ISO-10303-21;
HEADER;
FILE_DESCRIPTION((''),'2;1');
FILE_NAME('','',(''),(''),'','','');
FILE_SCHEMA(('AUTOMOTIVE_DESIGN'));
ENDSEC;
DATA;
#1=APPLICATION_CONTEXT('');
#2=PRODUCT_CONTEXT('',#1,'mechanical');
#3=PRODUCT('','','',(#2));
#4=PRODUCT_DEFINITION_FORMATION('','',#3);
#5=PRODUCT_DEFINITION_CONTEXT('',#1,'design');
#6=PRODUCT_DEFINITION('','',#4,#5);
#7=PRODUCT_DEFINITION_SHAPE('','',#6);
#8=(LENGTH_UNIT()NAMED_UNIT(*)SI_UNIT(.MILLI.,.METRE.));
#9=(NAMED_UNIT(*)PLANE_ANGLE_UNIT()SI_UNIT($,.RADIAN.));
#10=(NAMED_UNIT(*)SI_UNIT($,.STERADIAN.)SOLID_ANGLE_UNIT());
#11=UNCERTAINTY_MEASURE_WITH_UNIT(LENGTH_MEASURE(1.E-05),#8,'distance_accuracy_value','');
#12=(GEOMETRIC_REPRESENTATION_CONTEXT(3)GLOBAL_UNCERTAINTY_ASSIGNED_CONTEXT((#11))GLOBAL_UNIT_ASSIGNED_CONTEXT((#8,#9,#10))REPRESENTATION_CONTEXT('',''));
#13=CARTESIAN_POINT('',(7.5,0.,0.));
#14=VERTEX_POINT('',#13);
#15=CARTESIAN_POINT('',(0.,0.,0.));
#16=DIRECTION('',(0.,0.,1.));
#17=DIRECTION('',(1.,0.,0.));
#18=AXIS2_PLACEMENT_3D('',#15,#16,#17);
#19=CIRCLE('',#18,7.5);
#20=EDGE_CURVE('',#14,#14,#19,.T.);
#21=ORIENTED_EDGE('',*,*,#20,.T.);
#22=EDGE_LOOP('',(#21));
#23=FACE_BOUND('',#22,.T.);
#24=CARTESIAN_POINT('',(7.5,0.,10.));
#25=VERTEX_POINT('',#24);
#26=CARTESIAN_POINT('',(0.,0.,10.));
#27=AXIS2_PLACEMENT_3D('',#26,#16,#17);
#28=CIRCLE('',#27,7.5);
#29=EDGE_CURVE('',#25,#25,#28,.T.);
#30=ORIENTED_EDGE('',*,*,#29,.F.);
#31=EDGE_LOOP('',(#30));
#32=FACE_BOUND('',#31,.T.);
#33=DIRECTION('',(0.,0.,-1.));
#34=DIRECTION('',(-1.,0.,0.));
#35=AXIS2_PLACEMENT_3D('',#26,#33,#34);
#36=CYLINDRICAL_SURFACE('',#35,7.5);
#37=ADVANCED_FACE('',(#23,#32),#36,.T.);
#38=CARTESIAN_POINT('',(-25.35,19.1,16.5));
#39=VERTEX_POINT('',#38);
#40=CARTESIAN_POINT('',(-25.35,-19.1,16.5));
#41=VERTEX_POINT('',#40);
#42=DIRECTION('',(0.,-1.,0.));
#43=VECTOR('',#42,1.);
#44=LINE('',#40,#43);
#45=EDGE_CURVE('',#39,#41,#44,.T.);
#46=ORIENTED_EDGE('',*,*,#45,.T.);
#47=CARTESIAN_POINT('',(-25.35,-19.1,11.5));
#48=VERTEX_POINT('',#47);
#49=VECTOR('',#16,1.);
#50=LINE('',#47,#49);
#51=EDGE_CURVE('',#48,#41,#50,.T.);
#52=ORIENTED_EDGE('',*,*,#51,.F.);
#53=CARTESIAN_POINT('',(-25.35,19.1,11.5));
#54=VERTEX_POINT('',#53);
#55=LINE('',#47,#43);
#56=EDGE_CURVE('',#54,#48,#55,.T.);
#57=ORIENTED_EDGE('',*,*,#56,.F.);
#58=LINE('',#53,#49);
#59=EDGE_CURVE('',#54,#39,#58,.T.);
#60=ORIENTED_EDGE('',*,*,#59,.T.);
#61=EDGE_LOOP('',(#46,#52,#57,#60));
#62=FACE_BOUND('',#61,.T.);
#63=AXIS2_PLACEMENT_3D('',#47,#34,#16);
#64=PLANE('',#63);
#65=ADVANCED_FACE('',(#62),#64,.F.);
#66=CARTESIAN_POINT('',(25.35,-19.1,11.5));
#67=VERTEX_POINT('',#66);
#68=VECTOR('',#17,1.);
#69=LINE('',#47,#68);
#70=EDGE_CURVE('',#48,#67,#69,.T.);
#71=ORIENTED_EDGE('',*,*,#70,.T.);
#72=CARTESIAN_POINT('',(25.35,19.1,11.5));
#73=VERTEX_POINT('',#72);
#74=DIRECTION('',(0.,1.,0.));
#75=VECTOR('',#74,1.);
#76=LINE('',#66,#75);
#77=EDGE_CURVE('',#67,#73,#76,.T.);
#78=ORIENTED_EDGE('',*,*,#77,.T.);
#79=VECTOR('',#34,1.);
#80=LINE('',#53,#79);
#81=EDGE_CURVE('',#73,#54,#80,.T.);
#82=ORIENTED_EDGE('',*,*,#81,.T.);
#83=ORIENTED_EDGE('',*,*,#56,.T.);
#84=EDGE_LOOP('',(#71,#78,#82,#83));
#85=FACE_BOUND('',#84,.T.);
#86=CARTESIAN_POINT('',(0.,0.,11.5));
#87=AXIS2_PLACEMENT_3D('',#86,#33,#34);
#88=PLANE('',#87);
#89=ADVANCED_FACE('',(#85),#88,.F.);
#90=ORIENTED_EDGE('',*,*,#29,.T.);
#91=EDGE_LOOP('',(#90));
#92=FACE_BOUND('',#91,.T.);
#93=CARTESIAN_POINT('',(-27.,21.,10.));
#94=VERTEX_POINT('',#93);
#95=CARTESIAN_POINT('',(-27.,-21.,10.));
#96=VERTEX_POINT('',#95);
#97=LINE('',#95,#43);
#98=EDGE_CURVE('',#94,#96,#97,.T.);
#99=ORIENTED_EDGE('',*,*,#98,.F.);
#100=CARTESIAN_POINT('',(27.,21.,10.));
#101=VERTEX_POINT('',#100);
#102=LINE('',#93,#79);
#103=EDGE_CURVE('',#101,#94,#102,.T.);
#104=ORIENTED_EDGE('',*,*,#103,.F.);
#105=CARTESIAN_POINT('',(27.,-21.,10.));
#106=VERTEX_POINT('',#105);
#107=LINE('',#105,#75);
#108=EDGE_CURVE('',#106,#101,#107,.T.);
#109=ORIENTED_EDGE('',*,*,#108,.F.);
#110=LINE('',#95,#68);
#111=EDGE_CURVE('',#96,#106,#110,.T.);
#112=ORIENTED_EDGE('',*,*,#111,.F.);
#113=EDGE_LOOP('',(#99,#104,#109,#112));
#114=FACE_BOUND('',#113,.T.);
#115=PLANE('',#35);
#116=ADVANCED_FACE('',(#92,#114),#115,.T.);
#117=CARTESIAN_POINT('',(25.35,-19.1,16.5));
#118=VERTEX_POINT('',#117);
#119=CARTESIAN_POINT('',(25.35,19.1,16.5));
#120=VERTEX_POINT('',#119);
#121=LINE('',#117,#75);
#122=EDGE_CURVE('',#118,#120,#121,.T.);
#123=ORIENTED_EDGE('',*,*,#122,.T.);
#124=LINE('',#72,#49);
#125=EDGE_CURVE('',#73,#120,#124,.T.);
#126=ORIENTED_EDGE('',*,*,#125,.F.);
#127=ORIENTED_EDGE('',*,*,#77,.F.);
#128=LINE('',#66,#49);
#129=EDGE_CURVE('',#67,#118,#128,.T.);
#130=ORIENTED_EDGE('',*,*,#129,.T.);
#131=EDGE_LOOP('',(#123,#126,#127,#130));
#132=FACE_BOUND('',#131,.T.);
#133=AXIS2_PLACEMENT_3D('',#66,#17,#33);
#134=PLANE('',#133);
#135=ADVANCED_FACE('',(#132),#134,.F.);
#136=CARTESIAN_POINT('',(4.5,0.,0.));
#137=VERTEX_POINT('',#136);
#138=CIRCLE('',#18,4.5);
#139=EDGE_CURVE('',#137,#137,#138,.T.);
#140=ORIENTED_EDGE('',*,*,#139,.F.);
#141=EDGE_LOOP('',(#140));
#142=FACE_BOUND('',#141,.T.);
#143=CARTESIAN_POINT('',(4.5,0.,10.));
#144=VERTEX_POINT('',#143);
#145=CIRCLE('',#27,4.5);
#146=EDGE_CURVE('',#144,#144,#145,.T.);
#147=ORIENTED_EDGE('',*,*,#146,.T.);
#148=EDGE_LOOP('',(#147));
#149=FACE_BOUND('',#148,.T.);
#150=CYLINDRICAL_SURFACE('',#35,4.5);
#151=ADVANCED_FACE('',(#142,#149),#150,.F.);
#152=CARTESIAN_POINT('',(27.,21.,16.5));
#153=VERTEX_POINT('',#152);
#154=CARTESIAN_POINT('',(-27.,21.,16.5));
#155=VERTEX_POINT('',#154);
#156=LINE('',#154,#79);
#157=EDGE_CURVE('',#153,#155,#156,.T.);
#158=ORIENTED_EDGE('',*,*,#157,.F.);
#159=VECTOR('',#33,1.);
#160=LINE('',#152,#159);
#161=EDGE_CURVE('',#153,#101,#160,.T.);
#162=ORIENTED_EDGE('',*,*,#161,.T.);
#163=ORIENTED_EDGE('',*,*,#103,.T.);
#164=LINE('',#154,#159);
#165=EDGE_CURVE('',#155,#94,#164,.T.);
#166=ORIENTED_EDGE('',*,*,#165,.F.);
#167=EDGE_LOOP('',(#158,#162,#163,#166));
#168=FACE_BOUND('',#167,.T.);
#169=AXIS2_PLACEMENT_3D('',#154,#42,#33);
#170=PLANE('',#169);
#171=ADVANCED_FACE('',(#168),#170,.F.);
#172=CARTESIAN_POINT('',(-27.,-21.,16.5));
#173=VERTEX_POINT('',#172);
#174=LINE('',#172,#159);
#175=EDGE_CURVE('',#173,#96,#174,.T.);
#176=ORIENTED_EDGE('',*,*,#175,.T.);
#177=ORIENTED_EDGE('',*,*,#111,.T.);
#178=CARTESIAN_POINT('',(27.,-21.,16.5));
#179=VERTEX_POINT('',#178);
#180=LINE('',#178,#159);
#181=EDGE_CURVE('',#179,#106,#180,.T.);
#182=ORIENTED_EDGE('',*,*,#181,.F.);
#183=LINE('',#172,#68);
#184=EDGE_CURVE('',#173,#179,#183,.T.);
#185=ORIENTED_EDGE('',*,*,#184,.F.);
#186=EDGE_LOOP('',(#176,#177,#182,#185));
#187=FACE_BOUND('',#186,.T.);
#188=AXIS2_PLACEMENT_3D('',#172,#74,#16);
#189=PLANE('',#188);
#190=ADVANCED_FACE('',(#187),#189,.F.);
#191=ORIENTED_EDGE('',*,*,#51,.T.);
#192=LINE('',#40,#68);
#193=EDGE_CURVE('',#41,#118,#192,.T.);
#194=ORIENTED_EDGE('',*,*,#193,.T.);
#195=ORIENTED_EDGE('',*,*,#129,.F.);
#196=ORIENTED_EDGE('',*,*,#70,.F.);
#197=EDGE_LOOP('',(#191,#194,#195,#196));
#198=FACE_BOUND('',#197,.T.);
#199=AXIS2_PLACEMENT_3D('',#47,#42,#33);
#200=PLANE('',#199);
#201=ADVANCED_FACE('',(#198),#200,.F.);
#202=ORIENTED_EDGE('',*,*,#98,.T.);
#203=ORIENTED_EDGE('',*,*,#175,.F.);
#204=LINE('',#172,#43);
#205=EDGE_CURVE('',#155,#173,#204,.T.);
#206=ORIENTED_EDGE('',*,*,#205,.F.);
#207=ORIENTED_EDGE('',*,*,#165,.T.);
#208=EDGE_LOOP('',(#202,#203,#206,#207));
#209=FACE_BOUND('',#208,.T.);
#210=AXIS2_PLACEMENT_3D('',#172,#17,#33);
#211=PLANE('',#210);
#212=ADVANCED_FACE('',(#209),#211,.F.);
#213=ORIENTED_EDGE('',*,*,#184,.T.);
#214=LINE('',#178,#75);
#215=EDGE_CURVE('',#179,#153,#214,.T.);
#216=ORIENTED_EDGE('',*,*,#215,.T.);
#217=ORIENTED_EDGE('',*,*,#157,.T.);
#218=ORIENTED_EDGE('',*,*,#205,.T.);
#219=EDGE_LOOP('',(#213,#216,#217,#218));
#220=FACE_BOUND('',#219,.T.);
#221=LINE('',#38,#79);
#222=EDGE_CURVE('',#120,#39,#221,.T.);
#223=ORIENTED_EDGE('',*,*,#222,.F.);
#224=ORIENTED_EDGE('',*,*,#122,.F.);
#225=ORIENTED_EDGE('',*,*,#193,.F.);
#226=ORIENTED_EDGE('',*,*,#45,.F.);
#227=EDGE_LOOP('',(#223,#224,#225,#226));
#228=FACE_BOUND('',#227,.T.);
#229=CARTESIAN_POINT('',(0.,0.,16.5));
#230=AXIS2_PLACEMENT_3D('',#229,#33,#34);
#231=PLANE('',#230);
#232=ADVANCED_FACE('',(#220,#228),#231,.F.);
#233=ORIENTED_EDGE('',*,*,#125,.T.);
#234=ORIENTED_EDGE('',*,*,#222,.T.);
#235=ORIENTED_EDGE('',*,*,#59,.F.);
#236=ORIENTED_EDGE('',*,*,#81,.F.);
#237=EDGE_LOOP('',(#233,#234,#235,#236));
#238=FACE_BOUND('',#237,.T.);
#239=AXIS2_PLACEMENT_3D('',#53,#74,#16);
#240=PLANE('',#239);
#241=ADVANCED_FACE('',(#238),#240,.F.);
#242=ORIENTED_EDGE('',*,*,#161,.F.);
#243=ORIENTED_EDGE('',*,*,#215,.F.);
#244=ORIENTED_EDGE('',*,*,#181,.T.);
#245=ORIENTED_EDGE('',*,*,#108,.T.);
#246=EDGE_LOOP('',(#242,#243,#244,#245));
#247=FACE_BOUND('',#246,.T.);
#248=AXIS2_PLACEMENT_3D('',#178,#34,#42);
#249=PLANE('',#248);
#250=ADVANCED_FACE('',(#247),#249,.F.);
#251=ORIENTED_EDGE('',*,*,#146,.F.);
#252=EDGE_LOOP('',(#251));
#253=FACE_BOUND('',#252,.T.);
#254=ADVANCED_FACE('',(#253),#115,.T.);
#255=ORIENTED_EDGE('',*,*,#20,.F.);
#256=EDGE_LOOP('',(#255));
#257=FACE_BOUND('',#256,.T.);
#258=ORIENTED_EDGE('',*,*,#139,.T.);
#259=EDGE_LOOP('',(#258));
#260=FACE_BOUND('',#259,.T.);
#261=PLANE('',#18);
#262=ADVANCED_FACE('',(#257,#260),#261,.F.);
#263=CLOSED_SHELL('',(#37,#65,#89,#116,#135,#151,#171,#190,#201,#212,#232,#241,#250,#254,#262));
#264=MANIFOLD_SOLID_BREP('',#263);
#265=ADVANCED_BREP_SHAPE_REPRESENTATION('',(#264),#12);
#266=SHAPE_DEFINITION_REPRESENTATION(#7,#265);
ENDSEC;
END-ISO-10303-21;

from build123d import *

# Parameters (mm, degrees)
ESQUISSE1_R             = 7.5
ESQUISSE1_R_2           = 4.5
BOSS_EXTRU_1_DEPTH      = 10
ESQUISSE2_W             = 54
ESQUISSE2_H             = 42
BOSS_EXTRU_2_DEPTH      = 6.5
ESQUISSE4_W             = 50.7
ESQUISSE4_H             = 38.2
ENL_V_MAT_EXTRU_2_DEPTH = 5


with BuildPart() as part:
    # Esquisse1 → Boss.-Extru.1 (new body)
    with BuildSketch(Plane.XY):
        Circle(ESQUISSE1_R)
        Circle(ESQUISSE1_R_2, mode=Mode.SUBTRACT)
    extrude(amount=BOSS_EXTRU_1_DEPTH)

    # Esquisse2 → Boss.-Extru.2 (add)
    with BuildSketch(Plane.XY.offset(10)):
        Rectangle(ESQUISSE2_W, ESQUISSE2_H)
    extrude(amount=BOSS_EXTRU_2_DEPTH)

    # Esquisse4 → Enlèv. mat.-Extru.2 (cut)
    with BuildSketch(Plane.XY.offset(16.5)):
        Rectangle(ESQUISSE4_W, ESQUISSE4_H)
    extrude(amount=-ENL_V_MAT_EXTRU_2_DEPTH, mode=Mode.SUBTRACT)


solid = part.part
